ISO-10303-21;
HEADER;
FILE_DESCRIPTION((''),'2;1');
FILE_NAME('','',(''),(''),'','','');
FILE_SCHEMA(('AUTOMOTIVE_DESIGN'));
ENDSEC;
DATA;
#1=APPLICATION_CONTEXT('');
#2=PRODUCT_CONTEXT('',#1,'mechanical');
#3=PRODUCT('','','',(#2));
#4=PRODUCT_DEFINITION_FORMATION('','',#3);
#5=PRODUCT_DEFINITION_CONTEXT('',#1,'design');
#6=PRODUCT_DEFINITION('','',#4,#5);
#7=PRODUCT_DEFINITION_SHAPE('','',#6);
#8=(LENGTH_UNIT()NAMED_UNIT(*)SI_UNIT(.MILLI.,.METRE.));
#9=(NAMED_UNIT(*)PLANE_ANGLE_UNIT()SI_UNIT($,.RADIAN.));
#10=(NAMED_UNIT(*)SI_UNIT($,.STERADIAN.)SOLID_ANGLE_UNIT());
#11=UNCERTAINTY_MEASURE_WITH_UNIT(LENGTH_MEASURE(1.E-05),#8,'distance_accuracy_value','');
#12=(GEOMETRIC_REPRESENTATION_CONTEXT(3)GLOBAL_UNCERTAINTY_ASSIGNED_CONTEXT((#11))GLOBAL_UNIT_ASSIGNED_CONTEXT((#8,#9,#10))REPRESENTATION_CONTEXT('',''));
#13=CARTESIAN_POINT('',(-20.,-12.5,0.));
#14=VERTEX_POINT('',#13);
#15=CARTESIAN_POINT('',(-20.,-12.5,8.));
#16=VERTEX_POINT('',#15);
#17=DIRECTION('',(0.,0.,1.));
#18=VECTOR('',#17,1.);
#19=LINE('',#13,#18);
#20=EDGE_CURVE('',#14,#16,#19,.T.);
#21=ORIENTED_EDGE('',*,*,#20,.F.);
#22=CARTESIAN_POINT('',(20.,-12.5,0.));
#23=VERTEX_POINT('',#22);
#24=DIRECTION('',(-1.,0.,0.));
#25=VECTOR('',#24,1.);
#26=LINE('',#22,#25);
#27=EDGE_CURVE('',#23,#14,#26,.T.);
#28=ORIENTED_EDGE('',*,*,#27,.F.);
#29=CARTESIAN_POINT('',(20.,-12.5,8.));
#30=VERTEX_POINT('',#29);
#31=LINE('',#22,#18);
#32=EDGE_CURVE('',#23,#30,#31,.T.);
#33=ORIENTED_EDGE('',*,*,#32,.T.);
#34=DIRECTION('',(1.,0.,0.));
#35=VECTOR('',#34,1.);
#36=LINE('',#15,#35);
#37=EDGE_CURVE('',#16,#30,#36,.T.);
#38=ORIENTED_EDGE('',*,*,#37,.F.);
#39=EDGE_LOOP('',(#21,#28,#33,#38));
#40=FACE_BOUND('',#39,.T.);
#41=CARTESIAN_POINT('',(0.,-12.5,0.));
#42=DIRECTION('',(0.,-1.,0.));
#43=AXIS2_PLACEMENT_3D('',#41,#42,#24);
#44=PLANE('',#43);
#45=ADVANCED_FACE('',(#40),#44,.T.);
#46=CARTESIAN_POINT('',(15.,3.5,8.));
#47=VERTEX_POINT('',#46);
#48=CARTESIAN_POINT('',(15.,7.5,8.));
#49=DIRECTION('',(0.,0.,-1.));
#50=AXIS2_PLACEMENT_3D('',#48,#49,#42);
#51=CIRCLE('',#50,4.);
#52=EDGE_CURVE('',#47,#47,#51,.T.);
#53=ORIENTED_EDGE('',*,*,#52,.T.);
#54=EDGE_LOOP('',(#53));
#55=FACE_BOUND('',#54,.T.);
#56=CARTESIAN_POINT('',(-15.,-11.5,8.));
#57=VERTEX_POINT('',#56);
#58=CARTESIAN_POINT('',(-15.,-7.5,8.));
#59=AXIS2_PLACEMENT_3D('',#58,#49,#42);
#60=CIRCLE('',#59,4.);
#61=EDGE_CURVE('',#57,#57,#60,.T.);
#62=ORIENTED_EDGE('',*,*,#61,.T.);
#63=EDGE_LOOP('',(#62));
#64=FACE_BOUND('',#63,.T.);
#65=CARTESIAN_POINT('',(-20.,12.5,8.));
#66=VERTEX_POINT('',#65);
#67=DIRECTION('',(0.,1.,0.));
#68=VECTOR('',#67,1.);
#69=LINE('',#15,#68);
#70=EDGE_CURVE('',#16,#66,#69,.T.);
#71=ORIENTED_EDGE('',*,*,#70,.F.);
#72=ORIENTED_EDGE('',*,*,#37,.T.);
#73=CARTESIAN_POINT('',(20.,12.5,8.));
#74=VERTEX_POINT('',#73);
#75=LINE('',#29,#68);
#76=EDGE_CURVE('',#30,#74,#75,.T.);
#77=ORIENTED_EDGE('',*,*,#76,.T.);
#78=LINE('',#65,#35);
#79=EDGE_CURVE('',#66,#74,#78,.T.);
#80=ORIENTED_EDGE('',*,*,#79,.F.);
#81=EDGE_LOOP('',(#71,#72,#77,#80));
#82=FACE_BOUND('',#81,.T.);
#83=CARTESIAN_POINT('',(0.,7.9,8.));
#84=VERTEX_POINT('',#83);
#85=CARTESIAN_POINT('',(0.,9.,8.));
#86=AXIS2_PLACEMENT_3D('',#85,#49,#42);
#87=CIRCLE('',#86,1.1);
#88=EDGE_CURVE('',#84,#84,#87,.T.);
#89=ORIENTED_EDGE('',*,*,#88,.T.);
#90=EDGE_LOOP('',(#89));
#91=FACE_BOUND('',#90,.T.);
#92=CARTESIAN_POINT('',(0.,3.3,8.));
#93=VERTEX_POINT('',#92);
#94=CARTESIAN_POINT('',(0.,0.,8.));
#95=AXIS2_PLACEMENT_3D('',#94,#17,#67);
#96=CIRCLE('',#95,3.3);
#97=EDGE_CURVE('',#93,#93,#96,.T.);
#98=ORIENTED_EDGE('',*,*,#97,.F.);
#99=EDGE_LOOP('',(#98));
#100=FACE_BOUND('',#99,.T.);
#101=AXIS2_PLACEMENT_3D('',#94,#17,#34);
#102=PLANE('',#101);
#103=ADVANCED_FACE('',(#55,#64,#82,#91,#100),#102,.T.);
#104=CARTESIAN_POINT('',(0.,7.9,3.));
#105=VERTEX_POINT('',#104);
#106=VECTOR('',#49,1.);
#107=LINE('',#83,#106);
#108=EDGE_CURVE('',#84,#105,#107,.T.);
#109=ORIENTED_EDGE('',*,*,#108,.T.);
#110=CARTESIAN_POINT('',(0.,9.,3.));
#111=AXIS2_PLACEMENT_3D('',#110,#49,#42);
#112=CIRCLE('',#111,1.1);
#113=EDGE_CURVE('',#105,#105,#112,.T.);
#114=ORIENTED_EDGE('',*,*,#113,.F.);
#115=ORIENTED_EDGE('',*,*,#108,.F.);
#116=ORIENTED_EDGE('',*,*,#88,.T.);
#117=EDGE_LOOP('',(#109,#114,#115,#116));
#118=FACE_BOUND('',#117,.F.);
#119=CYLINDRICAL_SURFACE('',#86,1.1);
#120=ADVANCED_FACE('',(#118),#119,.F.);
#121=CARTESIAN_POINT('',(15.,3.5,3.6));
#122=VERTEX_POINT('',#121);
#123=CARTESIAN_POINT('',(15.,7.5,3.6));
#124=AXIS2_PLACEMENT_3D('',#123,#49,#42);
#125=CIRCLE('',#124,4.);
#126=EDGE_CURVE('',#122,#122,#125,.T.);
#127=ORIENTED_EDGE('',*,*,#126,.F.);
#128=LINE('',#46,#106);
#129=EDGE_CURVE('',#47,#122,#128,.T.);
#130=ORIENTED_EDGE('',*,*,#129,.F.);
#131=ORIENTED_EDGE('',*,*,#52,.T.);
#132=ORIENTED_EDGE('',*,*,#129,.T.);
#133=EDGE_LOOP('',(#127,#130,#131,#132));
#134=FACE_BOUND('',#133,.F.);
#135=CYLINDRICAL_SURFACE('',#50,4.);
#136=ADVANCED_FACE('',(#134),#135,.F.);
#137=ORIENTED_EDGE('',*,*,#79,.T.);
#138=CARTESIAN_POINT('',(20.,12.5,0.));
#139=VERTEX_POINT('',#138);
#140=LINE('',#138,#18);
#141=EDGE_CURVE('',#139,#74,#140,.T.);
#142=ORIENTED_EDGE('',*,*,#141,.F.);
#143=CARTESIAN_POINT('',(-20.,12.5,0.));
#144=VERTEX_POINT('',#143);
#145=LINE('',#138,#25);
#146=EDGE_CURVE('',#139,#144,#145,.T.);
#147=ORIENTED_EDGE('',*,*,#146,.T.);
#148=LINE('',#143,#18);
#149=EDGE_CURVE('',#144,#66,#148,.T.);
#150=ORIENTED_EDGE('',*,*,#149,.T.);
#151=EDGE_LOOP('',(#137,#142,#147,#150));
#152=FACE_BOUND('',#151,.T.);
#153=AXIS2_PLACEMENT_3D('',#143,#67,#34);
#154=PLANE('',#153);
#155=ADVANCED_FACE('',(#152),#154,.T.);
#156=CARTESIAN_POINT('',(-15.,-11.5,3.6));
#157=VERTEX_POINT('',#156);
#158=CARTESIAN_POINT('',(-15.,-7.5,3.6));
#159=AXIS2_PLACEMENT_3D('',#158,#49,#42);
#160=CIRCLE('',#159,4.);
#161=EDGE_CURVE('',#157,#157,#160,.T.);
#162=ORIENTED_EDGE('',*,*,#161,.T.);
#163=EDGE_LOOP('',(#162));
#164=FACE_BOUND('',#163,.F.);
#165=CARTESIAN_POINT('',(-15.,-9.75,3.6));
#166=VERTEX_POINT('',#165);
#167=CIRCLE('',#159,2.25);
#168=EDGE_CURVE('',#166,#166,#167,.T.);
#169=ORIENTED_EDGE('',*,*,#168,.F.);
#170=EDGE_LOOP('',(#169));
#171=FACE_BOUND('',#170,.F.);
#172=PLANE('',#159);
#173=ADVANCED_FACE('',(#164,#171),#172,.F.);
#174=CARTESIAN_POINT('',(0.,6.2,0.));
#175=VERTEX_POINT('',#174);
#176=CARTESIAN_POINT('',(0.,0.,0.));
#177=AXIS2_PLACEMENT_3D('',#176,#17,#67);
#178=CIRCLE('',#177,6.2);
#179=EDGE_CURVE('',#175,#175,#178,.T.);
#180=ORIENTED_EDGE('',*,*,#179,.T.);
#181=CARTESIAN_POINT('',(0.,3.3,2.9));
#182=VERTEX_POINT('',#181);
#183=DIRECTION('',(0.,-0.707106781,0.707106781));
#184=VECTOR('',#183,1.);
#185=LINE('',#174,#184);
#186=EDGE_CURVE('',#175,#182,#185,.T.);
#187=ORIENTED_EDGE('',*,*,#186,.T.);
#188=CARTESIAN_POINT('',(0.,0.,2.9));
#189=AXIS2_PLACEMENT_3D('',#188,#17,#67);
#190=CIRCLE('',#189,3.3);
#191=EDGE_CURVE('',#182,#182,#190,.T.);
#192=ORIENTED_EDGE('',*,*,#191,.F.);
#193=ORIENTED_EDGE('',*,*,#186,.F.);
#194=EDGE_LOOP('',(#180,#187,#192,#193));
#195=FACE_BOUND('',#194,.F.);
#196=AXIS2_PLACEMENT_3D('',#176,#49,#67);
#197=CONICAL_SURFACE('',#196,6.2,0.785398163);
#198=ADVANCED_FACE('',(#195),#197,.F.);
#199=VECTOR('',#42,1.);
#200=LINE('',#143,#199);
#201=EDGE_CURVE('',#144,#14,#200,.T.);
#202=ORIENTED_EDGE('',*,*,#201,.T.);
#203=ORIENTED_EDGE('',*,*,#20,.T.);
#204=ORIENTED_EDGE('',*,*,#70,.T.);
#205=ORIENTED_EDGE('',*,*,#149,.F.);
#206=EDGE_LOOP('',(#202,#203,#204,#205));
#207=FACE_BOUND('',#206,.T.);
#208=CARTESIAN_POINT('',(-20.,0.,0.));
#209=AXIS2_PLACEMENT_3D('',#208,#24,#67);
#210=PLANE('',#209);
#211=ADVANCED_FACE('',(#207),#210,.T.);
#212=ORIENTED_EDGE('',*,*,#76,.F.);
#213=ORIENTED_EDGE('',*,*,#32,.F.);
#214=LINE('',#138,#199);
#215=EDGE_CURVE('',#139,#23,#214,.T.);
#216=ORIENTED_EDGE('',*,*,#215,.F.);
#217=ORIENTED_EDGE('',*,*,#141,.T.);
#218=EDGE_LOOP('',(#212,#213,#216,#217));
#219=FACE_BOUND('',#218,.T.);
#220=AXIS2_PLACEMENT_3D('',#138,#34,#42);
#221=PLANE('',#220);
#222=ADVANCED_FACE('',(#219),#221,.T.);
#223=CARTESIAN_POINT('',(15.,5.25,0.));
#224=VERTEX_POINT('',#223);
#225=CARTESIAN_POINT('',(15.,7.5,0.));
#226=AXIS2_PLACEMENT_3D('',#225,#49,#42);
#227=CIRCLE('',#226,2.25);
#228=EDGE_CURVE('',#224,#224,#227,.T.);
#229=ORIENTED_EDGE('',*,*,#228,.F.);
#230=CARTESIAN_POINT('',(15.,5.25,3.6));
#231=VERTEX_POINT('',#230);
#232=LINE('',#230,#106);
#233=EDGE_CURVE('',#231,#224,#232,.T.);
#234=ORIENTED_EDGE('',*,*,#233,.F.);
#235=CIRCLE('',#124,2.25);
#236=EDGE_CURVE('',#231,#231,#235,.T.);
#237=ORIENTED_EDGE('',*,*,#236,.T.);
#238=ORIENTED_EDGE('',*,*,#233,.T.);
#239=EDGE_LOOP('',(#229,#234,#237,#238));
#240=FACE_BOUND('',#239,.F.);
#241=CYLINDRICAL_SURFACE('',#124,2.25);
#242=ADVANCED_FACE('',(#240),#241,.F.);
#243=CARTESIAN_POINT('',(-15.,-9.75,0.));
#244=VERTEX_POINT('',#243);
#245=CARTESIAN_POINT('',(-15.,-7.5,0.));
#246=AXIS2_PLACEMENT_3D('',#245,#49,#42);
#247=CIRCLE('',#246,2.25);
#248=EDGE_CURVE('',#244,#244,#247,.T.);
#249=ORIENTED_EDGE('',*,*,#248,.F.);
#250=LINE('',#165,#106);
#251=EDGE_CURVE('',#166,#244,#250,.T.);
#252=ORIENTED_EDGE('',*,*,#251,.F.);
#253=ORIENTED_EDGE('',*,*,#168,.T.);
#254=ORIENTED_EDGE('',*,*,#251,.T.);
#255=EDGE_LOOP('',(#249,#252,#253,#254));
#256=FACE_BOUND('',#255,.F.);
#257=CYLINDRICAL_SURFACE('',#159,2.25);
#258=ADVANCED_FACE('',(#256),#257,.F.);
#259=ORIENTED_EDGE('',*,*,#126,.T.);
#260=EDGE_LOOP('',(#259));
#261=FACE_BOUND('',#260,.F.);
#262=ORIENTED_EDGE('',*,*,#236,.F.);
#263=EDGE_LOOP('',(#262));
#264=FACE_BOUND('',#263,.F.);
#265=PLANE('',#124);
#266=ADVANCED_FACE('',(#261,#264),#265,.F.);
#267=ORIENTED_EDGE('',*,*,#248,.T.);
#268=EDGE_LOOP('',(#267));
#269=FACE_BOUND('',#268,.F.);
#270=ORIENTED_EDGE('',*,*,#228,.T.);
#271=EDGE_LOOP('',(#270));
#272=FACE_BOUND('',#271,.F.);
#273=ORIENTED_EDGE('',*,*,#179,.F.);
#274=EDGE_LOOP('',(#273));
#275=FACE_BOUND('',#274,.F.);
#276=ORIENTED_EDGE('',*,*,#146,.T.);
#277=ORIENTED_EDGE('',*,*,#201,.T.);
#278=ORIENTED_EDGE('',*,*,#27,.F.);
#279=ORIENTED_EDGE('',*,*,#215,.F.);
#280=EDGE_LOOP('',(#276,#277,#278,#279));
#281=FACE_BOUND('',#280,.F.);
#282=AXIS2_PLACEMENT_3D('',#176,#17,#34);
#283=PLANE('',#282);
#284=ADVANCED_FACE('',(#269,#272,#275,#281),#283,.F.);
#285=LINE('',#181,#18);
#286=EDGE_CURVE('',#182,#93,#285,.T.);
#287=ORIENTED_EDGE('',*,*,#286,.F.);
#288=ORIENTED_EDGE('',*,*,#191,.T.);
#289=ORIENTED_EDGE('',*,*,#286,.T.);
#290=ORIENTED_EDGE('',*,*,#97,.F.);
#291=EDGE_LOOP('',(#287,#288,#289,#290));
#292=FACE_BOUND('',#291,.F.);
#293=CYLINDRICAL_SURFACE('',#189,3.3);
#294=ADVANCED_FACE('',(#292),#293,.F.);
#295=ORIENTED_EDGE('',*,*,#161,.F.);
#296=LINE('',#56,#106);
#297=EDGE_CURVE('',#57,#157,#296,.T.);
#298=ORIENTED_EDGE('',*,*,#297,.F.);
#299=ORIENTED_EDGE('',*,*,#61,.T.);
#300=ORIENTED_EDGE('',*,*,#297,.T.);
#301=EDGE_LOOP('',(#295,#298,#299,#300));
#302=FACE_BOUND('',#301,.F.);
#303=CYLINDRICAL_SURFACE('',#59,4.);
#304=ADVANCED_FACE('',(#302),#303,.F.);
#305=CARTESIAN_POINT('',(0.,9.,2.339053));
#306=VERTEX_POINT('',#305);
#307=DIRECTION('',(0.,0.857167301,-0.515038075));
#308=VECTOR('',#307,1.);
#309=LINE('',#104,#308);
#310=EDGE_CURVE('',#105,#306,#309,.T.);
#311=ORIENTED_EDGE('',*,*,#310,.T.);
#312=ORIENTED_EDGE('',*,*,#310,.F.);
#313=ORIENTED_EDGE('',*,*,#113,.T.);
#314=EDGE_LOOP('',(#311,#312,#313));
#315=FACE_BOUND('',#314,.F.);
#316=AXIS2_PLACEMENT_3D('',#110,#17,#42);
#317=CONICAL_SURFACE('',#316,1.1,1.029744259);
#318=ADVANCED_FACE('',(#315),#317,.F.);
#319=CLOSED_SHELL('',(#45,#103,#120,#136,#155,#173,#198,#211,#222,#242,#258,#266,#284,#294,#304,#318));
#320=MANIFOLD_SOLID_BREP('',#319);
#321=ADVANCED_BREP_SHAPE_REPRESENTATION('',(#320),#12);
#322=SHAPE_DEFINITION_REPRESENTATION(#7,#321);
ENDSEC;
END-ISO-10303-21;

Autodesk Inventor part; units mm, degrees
ref_plane "YZ Plane" through (0, 0, 0) normal (1, 0, 0) x (0, 1, 0)
ref_plane "XZ Plane" through (0, 0, 0) normal (0, 1, 0) x (-1, 0, 0)
ref_plane "XY Plane" through (0, 0, 0) normal (0, 0, 1) x (1, 0, 0)
sketch "Skizze1" plane through (0, 0, 0) normal (0, 0, 1) x (1, 0, 0)
  line L0 (-20, 12.5) -> (20, 12.5)
  line L1 (20, 12.5) -> (20, -12.5)
  line L2 (20, -12.5) -> (-20, -12.5)
  line L3 (-20, -12.5) -> (-20, 12.5)
  line L4 (-28, 0) -> (28, 0) projected
  line L5 (0, -17.5) -> (0, 17.5) projected
  point P0 (0, 0)
  dimension "d0" = 40
  dimension "d1" = 25
extrude "Extrusion1" add sketch "Skizze1" along normal blind 8
sketch "Skizze2" plane through (0, 0, 8) normal (0, 0, 1) x (1, 0, 0)
  line L0 (-28, 0) -> (28, 0) projected
  line L1 (0, -17.5) -> (0, 17.5) projected
  line L2 (-15, 7.5) -> (15, 7.5)
  line L3 (15, 7.5) -> (15, -7.5)
  line L4 (15, -7.5) -> (-15, -7.5)
  line L5 (-15, -7.5) -> (-15, 7.5)
  point P0 (0, 0)
  dimension "d4" = 15
  dimension "d5" = 30
hole "Bohrung1" at (-15, -7.5, 8) at (15, 7.5, 8) direction (0, 0, -1) diameter 4.5 end through all counterbore diameter 8 counterbore depth 4.4
sketch "Skizze3" plane through (0, 0, 8) normal (0, 0, 1) x (1, 0, 0)
  point P0 (0, 0)
  point P1 (0, 0)
hole "Bohrung2" at (0, 0, 8) direction (0, 0, -1) diameter 3 end through all
hole "Bohrung3" at (0, 0, 0) direction (0, 0, 1) diameter 6.6 end through all countersink diameter 12.4 countersink angle 90
sketch "Skizze4" plane through (0, 0, 8) normal (0, 0, 1) x (1, 0, 0)
  line L0 (-28, 0) -> (28, 0) projected
  line L1 (0, -17.5) -> (0, 17.5) projected
  point P0 (0, 9)
  dimension "d29" = 9
hole "Bohrung4" at (0, 9, 8) direction (0, 0, -1) diameter 2.2 depth 5 tip angle 118
properties part number "13_0204_074"
